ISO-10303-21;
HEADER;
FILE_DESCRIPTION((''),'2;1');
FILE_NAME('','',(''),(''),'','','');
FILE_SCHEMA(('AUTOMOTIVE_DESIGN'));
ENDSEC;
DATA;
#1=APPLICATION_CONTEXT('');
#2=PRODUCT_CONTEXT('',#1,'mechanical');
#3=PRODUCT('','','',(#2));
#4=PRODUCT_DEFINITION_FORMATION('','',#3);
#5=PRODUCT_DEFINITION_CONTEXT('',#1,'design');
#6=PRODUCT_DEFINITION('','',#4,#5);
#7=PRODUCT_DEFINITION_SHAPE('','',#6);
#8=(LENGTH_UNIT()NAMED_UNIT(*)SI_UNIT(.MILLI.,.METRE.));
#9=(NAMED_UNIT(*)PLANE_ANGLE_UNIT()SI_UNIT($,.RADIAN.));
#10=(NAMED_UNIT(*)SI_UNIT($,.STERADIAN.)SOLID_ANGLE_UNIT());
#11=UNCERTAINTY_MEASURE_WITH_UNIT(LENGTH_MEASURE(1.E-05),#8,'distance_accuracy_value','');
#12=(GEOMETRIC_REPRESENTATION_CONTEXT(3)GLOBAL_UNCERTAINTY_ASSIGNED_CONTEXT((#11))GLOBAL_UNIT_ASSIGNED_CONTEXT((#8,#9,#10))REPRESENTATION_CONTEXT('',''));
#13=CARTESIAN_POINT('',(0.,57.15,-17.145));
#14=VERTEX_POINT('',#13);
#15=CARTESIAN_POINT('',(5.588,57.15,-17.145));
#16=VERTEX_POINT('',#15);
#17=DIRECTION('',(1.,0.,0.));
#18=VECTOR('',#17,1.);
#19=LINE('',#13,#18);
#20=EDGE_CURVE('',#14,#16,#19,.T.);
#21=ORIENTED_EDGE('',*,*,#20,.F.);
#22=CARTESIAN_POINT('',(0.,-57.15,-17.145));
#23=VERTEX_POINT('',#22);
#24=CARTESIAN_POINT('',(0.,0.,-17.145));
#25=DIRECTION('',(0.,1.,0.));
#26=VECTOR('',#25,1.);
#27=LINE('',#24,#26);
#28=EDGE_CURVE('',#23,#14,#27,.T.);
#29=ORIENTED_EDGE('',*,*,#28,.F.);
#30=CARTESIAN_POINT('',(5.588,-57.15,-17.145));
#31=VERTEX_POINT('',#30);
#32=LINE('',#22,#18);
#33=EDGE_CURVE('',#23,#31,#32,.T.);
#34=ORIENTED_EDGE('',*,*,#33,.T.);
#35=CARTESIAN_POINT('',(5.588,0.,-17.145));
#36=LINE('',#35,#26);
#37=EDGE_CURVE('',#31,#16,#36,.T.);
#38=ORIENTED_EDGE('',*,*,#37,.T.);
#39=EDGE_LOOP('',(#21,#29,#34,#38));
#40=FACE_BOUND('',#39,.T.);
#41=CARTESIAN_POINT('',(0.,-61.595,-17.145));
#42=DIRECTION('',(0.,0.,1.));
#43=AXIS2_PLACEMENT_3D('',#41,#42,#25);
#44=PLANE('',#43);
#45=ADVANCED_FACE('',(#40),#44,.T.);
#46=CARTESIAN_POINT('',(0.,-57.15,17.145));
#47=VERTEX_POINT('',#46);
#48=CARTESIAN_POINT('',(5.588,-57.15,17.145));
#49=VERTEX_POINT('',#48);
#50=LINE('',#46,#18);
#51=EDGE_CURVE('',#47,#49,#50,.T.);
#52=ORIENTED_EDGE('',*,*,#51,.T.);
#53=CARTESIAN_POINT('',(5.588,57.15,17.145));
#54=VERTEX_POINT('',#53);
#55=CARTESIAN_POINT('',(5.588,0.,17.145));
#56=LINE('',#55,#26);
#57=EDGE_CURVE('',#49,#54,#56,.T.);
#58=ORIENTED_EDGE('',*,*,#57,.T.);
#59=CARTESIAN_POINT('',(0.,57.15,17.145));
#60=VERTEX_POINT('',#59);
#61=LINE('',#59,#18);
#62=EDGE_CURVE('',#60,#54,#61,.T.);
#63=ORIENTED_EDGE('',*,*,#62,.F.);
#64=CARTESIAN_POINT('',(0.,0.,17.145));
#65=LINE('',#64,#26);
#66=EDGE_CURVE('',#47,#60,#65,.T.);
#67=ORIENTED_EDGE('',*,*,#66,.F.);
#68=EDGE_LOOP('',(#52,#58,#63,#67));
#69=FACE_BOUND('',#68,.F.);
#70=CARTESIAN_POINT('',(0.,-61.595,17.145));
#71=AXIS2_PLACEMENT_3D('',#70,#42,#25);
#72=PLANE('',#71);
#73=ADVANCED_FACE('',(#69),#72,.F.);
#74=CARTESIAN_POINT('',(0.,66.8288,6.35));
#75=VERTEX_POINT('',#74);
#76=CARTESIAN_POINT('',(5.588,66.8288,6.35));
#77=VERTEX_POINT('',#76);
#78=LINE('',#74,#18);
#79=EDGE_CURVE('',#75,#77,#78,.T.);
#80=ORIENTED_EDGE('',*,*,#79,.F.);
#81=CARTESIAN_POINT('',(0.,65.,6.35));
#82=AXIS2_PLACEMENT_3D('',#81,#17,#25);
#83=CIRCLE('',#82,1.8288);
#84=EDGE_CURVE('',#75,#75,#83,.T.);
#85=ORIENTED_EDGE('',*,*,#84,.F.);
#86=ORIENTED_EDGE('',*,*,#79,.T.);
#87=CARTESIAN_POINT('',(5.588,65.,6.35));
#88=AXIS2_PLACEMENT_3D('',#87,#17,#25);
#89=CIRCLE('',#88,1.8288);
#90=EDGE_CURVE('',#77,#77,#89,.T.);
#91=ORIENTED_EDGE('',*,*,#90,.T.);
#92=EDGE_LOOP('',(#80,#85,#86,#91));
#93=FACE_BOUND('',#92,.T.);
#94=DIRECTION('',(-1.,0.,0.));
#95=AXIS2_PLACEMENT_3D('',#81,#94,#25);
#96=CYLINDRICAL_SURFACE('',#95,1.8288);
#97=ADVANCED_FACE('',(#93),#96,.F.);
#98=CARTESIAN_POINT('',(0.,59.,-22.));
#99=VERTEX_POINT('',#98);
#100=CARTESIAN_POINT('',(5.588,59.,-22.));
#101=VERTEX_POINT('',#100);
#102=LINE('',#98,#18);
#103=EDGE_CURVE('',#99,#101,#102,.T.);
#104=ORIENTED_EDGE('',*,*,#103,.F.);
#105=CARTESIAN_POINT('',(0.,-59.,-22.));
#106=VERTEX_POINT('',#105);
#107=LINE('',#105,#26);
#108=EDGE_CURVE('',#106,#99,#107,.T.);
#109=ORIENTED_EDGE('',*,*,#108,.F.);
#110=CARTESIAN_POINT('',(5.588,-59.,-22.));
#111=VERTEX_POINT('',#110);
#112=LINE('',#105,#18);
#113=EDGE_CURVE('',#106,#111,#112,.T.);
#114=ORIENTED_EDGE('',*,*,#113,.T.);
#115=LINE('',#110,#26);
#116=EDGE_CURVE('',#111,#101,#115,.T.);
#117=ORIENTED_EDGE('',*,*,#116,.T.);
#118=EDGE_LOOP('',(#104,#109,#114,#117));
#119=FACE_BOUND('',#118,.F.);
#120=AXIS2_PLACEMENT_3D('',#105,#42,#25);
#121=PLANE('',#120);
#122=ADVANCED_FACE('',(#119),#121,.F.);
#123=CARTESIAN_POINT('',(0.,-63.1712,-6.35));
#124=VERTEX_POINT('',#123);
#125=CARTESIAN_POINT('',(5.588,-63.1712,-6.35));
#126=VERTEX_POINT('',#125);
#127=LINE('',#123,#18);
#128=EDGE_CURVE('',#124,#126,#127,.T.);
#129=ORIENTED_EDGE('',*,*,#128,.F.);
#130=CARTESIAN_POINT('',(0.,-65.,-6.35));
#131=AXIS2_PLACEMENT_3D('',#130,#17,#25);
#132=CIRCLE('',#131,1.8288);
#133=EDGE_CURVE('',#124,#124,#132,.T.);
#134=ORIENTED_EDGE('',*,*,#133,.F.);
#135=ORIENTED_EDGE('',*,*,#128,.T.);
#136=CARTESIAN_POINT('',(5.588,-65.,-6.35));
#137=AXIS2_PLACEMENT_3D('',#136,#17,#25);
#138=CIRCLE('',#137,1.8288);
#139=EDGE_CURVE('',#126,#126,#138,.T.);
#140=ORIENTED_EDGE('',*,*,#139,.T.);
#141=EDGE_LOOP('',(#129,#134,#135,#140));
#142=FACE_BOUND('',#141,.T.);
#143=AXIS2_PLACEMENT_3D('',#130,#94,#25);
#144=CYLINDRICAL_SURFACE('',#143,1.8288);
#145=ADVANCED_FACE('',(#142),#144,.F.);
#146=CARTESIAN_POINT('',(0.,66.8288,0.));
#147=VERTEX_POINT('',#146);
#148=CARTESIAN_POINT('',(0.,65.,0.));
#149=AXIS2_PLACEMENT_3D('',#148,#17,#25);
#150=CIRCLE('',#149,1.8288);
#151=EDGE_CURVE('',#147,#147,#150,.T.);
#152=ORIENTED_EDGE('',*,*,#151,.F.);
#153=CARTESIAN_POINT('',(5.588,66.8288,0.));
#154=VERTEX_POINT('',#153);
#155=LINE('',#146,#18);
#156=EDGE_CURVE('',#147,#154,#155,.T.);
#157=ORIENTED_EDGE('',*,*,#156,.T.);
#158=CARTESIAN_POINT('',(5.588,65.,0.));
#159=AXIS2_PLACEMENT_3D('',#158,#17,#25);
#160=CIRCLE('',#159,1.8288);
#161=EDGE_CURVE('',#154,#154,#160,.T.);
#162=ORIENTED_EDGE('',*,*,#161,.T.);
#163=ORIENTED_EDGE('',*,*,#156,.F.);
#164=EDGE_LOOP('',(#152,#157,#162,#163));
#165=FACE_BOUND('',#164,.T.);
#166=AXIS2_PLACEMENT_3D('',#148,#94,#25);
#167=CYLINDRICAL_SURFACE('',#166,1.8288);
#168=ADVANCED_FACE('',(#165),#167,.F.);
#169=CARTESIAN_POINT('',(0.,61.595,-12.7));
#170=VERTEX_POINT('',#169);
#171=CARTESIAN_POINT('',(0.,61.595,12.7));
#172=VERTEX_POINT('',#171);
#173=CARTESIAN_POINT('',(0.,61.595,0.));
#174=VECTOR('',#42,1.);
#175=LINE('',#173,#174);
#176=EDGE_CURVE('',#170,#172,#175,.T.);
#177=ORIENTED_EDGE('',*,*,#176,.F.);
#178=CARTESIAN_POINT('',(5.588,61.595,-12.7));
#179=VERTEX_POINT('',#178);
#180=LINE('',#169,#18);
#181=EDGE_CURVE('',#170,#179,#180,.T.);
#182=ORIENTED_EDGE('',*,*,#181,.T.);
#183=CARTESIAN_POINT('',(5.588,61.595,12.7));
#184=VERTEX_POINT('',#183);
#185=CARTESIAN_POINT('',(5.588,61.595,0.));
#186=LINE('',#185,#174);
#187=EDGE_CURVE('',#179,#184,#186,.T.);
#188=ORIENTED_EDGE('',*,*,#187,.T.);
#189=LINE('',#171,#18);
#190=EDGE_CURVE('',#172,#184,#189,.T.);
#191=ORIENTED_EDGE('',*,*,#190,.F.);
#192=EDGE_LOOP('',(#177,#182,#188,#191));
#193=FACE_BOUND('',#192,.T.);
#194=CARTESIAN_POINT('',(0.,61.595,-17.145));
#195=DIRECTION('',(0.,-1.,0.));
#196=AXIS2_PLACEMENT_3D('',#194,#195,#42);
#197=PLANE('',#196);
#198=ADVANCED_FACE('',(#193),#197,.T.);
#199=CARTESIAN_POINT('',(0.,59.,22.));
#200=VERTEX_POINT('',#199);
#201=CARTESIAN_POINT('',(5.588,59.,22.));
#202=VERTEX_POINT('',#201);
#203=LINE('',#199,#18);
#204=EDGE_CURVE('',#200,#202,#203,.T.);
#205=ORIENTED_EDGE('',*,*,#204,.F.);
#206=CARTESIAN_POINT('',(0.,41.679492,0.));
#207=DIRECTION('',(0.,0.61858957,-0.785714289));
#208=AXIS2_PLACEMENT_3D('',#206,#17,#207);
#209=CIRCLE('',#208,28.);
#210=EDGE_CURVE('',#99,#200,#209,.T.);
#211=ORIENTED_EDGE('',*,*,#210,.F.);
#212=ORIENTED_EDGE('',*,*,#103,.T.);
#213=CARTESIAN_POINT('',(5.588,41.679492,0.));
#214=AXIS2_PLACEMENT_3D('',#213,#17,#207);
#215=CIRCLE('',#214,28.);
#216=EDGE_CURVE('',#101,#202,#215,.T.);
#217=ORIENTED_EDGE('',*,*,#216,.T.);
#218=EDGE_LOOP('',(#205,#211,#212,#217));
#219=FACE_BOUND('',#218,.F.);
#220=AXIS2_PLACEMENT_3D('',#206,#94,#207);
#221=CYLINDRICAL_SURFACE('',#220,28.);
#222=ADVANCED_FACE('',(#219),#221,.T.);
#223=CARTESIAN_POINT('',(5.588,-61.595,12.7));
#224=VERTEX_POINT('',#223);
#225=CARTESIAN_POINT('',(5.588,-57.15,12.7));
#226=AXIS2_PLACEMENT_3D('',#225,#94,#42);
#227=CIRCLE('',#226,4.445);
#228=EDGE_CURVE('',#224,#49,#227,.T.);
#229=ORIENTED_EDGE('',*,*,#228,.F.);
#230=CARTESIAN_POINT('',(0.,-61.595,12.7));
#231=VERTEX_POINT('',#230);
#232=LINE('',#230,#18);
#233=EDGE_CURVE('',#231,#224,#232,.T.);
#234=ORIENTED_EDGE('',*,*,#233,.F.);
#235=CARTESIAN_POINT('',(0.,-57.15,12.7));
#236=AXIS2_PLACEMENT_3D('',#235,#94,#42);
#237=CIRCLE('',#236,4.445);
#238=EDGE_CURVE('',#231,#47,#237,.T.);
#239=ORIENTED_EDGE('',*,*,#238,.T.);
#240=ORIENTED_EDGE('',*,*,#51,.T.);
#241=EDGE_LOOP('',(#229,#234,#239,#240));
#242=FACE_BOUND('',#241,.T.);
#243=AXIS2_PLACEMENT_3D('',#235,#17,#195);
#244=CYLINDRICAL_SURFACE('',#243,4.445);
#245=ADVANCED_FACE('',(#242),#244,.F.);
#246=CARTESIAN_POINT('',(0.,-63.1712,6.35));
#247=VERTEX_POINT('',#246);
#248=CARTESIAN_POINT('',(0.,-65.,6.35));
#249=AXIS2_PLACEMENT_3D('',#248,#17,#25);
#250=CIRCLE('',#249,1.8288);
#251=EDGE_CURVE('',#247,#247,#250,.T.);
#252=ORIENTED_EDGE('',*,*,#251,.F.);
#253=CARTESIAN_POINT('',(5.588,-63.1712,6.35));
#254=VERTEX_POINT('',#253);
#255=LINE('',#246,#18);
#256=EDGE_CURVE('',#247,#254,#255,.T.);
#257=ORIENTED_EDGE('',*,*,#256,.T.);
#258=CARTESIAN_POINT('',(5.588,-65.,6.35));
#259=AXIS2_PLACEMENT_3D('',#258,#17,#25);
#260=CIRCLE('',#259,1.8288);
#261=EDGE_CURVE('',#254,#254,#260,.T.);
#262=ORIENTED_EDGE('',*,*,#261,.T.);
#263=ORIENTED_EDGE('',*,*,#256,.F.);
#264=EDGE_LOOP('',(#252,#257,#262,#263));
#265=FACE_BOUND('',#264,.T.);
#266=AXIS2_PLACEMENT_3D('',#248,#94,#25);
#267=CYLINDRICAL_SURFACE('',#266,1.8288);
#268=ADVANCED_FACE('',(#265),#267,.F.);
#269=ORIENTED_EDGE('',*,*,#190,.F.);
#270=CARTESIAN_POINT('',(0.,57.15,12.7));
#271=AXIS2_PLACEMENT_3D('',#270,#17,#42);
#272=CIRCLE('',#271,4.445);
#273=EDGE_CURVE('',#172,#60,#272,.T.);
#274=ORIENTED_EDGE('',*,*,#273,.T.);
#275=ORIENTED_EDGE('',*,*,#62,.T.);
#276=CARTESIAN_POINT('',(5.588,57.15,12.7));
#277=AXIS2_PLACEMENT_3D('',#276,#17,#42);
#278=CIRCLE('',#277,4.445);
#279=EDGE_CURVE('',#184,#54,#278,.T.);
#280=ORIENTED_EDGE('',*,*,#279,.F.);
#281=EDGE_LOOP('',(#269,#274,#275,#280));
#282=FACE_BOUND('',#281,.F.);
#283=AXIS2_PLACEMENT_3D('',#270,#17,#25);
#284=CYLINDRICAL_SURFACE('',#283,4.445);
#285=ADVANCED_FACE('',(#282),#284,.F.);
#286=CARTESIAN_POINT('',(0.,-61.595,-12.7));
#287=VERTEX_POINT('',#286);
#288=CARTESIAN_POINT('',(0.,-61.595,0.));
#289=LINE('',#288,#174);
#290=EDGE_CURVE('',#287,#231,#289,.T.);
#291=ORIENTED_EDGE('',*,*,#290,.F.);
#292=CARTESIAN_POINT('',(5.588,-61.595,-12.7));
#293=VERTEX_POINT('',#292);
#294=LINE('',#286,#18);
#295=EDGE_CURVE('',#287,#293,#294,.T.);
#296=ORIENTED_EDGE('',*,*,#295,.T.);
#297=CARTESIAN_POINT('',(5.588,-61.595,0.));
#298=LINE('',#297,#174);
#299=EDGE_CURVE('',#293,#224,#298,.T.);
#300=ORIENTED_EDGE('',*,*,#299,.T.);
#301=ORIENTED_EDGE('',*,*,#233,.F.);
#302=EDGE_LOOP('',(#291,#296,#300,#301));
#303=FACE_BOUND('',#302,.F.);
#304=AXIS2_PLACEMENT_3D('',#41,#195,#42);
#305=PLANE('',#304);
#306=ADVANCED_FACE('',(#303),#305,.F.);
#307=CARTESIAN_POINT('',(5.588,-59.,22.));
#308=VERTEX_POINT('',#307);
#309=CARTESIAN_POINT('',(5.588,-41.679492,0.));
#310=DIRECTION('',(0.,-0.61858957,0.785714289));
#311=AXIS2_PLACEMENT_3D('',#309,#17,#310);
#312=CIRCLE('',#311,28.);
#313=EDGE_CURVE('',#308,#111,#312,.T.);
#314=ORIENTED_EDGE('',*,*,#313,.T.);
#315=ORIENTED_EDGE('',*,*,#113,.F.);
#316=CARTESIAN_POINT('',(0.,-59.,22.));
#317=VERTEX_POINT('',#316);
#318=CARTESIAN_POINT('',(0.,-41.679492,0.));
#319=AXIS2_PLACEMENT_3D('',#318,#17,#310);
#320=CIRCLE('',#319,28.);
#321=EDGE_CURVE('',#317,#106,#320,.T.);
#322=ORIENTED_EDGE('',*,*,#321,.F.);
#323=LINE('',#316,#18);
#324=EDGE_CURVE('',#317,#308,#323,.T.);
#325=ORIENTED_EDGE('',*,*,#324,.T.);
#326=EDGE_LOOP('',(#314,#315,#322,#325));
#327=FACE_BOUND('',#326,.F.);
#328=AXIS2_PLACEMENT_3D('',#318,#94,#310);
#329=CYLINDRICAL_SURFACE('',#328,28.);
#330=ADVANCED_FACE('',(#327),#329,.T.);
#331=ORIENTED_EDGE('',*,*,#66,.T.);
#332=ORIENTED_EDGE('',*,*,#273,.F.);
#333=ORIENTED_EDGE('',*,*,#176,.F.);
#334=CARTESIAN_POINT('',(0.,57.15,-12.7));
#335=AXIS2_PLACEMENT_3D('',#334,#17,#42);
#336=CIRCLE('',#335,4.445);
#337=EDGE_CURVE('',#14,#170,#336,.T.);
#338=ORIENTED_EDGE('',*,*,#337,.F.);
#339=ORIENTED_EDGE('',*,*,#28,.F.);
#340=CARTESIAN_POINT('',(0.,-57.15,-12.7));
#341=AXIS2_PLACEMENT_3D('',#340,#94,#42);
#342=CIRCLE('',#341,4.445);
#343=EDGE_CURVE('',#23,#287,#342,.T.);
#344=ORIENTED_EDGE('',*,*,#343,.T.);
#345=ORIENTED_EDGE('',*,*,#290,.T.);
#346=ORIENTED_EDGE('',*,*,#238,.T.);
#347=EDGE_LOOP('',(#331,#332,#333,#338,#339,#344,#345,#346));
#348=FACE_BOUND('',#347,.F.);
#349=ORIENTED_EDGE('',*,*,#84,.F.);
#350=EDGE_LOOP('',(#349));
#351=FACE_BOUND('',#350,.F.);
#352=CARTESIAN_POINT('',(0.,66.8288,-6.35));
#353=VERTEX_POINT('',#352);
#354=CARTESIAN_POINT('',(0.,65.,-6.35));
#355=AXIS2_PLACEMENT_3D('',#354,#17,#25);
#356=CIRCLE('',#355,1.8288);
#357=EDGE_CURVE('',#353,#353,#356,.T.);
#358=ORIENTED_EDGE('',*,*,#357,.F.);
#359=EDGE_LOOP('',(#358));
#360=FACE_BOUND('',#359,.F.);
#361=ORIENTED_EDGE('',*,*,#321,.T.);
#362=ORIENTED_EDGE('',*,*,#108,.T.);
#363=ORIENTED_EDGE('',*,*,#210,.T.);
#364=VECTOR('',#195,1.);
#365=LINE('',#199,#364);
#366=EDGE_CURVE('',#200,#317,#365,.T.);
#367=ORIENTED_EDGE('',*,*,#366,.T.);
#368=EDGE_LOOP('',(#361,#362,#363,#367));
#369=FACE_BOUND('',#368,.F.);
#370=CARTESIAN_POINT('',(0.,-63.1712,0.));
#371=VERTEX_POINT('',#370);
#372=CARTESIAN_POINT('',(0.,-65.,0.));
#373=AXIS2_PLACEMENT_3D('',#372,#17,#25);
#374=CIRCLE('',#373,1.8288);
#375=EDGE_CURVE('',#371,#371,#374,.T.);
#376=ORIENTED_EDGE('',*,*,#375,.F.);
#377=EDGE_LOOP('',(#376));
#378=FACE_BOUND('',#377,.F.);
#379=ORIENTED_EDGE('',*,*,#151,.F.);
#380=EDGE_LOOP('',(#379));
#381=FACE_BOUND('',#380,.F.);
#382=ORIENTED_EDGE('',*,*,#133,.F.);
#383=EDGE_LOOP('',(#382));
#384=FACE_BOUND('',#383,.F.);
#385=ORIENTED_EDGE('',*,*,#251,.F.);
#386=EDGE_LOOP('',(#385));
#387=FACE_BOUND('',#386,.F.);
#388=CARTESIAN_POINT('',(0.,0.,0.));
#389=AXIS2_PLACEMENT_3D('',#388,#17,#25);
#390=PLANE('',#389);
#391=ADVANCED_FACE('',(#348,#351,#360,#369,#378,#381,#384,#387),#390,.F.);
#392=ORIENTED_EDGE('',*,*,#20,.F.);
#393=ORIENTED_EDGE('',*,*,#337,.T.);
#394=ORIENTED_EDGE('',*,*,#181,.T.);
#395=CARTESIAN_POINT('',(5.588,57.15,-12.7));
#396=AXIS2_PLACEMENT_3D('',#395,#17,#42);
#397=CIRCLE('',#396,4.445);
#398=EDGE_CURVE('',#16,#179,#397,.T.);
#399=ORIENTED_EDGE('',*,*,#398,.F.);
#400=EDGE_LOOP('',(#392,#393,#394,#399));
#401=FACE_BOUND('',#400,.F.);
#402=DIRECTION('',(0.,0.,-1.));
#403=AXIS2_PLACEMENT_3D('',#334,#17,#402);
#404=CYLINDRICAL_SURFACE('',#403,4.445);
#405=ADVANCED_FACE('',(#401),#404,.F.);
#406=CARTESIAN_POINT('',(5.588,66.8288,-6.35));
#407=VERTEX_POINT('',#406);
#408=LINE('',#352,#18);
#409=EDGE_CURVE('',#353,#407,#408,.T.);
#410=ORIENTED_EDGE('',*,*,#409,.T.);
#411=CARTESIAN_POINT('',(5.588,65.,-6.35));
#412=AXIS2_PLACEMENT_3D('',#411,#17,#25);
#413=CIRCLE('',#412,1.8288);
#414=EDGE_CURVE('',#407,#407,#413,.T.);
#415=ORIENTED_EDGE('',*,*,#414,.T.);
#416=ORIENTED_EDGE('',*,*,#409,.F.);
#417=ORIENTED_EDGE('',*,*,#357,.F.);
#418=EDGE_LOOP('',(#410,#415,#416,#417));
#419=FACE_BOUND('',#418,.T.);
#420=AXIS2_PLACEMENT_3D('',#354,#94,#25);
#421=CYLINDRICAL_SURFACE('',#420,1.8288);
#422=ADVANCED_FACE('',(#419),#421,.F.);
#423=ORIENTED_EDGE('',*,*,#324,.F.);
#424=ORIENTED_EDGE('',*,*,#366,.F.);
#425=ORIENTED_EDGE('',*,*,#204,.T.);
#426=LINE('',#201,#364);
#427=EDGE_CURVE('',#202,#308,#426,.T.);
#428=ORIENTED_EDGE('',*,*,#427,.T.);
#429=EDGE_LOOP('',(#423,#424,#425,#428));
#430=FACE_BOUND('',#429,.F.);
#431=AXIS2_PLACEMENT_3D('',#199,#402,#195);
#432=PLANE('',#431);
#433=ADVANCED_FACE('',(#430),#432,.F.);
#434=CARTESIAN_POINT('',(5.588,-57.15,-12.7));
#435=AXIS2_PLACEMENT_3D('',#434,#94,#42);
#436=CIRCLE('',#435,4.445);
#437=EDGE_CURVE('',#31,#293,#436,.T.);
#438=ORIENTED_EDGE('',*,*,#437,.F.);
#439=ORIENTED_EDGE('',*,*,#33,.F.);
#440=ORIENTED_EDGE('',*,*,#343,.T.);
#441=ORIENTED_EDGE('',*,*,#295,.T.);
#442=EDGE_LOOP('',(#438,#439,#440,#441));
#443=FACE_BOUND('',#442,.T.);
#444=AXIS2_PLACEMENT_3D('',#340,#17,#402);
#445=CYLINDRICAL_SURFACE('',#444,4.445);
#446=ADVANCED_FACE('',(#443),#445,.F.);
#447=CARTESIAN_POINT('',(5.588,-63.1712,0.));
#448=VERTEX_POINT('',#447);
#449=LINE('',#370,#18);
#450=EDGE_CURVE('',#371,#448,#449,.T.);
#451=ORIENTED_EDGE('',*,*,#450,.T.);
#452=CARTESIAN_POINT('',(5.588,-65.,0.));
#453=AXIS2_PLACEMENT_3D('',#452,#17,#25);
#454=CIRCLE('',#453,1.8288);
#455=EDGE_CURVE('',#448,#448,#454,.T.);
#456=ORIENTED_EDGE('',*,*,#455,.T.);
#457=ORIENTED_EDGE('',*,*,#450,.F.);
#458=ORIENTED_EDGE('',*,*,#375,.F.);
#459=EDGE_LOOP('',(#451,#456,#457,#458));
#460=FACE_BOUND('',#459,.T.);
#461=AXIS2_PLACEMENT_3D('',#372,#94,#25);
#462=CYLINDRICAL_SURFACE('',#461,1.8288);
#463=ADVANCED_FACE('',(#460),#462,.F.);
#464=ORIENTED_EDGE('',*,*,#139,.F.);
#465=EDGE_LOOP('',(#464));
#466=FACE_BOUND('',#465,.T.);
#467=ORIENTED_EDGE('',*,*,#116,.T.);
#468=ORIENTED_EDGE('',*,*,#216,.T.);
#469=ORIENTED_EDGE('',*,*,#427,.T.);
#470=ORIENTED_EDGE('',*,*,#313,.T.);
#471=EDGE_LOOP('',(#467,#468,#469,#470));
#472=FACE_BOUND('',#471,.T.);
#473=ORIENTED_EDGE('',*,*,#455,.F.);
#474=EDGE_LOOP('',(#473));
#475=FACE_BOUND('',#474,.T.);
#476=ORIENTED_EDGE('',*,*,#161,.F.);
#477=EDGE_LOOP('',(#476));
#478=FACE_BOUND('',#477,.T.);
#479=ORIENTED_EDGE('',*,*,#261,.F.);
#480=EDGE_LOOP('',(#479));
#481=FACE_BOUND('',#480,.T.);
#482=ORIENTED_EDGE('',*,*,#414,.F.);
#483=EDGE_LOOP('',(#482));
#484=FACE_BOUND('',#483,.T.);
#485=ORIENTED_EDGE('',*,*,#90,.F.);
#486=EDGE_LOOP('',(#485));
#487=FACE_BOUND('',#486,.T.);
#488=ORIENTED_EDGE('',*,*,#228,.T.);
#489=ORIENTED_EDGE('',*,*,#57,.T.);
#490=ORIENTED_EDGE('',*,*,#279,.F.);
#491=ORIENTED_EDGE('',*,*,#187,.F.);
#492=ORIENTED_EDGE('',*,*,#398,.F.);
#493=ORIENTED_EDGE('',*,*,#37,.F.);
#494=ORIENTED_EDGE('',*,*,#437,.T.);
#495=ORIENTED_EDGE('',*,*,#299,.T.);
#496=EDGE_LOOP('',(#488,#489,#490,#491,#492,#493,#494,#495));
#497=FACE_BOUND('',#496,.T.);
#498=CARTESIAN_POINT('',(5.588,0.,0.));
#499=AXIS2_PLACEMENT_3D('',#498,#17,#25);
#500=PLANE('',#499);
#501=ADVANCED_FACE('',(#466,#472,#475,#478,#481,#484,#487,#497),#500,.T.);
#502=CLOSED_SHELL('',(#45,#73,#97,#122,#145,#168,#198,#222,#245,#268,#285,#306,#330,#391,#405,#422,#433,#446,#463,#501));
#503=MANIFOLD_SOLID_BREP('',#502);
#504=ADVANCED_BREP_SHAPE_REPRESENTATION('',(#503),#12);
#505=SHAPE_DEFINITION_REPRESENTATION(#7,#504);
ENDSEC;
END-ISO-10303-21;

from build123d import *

# Parameters (mm, degrees)
F0_R     = 1.8288
F0_W     = 123.19
F0_H     = 34.29
F1_DEPTH = 5.588
F2_R     = 4.445


with BuildPart() as f1:
    # F0 (on Right) → F1 (new body)
    with BuildSketch(Plane.YZ):
        with BuildLine():
            ThreePointArc((59, -22), (69.679492, 0), (59, 22))
            Line((59, 22), (-59, 22))
            ThreePointArc((-59, 22), (-69.679492, 0), (-59, -22))
            Line((-59, -22), (59, -22))
        make_face()
        with Locations((-65, -6.35)):
            Circle(F0_R, mode=Mode.SUBTRACT)
        with Locations((65, -6.35)):
            Circle(F0_R, mode=Mode.SUBTRACT)
        with Locations((-65, 0)):
            Circle(F0_R, mode=Mode.SUBTRACT)
        with Locations((-65, 6.35)):
            Circle(F0_R, mode=Mode.SUBTRACT)
        Rectangle(F0_W, F0_H, mode=Mode.SUBTRACT)
        with Locations((65, 0)):
            Circle(F0_R, mode=Mode.SUBTRACT)
        with Locations((65, 6.35)):
            Circle(F0_R, mode=Mode.SUBTRACT)
    extrude(amount=F1_DEPTH)

    # F2
    f2_edges = [f1.edges().sort_by_distance(p)[0] for p in [
        (2.794, -61.595, 17.145),
        (2.794, -61.595, -17.145),
        (2.794, 61.595, -17.145),
        (2.794, 61.595, 17.145),
    ]]
    fillet(f2_edges, radius=F2_R)


solid = f1.part
